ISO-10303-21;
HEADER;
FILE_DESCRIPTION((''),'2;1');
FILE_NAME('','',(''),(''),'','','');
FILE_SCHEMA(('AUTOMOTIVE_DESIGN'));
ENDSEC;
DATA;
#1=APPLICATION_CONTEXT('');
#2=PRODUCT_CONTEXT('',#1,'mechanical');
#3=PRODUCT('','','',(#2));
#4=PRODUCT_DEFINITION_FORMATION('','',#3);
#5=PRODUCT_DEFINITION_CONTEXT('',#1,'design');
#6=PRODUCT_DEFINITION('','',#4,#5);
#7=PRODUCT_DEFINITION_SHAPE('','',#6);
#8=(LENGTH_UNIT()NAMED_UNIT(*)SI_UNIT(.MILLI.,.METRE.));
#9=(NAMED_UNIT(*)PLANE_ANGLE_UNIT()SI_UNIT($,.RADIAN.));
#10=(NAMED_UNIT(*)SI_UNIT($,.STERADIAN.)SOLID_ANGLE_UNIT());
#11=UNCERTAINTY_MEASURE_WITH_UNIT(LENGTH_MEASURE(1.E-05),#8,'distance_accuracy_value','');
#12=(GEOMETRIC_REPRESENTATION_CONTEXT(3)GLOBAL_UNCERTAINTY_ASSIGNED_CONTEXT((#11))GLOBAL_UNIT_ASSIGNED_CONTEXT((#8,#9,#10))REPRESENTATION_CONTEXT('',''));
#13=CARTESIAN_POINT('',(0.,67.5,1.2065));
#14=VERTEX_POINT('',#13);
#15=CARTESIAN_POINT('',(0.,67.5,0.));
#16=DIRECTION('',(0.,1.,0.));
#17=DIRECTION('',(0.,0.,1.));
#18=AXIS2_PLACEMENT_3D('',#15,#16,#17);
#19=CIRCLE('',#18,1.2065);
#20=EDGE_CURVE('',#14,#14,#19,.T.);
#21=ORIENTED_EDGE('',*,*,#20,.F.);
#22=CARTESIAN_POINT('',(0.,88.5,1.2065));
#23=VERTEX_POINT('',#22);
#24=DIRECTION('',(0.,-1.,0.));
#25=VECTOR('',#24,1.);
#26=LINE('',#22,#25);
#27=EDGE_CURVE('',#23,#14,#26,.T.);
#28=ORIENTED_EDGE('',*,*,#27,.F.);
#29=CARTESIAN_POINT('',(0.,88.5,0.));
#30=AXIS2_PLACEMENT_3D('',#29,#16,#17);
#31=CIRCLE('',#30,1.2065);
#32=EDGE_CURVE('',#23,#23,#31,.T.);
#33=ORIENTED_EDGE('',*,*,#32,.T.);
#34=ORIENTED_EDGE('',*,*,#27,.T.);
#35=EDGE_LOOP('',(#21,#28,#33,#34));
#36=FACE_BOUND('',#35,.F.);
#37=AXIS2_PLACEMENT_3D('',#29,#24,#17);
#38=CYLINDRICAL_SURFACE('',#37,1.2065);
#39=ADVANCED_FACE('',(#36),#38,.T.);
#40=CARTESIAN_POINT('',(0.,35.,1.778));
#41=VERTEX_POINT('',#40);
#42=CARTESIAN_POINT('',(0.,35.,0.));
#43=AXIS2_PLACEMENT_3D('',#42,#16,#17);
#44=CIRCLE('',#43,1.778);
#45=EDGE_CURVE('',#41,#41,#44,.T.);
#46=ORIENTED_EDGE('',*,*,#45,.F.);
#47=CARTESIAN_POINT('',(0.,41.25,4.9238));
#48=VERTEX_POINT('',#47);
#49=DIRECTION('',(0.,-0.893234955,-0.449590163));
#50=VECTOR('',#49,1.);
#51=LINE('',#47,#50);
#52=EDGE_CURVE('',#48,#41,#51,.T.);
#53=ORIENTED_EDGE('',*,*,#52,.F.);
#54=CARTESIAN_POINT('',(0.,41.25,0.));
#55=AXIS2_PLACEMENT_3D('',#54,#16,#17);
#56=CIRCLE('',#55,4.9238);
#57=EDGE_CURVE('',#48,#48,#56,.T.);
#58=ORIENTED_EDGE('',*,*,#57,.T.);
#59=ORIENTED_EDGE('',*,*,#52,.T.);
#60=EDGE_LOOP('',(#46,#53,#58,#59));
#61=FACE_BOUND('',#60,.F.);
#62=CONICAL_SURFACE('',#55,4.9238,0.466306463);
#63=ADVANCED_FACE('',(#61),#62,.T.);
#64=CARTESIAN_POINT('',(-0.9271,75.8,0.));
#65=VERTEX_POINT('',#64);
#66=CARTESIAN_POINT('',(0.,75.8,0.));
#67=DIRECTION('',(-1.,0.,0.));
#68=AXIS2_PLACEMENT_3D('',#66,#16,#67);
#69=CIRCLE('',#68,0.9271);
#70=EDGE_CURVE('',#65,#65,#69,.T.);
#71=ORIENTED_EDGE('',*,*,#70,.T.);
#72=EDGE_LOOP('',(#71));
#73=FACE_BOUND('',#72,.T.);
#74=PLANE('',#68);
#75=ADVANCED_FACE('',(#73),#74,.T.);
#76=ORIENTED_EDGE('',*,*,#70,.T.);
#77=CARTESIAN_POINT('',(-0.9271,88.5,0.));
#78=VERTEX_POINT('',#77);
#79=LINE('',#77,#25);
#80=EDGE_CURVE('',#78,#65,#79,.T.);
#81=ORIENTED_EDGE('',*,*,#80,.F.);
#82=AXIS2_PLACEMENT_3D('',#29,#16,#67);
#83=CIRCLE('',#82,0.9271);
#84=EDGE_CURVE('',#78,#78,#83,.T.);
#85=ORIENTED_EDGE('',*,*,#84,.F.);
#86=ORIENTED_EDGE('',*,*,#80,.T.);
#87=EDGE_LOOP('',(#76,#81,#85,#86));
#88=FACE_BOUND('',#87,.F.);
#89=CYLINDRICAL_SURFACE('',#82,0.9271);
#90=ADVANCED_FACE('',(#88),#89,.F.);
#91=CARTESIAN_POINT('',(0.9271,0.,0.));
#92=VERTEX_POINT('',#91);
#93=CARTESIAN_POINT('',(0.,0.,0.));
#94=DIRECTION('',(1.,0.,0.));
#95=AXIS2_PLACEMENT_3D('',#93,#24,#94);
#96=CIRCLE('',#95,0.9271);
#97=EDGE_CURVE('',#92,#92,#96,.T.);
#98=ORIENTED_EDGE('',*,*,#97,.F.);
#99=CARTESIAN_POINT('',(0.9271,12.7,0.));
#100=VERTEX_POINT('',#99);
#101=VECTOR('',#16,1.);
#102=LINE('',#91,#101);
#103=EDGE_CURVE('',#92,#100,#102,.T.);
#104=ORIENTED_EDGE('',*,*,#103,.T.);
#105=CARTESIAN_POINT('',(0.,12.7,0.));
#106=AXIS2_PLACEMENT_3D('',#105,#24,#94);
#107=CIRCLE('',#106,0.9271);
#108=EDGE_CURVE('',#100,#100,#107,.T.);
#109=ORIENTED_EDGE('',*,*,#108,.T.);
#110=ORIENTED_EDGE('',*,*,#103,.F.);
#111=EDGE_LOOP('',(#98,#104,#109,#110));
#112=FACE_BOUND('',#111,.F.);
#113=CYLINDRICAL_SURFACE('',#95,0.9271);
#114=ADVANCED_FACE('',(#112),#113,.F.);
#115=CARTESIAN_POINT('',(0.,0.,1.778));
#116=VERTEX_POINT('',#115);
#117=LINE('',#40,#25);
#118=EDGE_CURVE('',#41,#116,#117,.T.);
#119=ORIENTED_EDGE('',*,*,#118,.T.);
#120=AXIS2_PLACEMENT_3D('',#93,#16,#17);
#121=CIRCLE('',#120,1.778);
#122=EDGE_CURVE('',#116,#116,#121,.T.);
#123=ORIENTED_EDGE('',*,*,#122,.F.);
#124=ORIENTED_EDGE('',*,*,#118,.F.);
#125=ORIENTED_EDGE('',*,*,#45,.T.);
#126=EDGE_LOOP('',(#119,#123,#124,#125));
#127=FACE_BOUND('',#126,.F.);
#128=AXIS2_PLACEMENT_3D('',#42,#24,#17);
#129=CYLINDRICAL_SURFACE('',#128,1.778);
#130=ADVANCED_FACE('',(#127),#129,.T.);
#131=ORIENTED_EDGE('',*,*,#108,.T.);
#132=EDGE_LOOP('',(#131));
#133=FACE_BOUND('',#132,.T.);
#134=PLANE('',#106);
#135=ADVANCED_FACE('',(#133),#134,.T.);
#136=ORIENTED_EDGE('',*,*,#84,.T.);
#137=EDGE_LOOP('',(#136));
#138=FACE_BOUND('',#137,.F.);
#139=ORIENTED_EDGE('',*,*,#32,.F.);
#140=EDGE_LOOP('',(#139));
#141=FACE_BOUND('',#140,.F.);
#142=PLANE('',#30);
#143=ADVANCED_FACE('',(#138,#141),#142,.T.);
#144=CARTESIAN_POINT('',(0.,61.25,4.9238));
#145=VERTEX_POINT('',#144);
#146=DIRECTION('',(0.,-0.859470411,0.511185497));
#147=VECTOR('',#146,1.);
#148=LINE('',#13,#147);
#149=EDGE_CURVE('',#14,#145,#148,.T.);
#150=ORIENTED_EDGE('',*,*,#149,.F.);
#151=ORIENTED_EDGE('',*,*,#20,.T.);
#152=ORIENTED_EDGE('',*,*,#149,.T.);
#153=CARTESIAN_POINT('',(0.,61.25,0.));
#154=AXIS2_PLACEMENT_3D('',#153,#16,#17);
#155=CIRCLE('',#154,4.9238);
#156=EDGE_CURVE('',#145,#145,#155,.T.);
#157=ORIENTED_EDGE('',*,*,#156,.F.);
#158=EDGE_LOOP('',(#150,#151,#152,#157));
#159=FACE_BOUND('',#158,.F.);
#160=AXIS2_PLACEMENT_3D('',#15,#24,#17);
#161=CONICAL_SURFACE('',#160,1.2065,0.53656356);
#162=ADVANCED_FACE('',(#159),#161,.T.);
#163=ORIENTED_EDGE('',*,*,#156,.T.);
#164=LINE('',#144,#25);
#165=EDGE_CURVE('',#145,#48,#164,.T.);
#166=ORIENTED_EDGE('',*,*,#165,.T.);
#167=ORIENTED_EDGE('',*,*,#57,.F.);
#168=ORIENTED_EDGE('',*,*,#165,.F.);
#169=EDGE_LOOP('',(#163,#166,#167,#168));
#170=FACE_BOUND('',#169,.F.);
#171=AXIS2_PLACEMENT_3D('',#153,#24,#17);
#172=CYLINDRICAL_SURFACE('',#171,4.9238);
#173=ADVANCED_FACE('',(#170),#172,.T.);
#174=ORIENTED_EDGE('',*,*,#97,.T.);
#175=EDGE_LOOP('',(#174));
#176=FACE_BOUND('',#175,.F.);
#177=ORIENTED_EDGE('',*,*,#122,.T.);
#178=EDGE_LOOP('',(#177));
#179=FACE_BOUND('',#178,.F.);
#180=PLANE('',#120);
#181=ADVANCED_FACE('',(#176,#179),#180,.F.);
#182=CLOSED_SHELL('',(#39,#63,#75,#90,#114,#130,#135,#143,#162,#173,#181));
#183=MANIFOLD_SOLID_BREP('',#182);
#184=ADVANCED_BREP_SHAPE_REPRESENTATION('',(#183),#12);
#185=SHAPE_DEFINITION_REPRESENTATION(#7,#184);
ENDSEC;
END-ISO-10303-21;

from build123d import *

# Parameters (mm, degrees)
F2_R     = 0.9271
F3_DEPTH = 12.7
F4_R     = 0.9271
F5_DEPTH = 12.7


with BuildPart() as f1:
    # F0 (on Right) → F1 (revolve)
    with BuildSketch(Plane.YZ):
        Polygon((0, 1.778), (0, 0), (88.5, 0), (88.5, 1.2065), (67.5, 1.2065), (61.25, 4.9238), (41.25, 4.9238), (35, 1.778), align=None)
    revolve(axis=Axis((0, 44.25, 0), (0, 1, 0)))

    # F2 (on face) → F3 (cut)
    with BuildSketch(Plane(origin=(0, 88.5, 0), x_dir=(-1, 0, 0), z_dir=(0, 1, 0))):
        Circle(F2_R)
    extrude(amount=-F3_DEPTH, mode=Mode.SUBTRACT)

    # F4 (on face) → F5 (cut)
    with BuildSketch(Plane.XZ):
        Circle(F4_R)
    extrude(amount=-F5_DEPTH, mode=Mode.SUBTRACT)


solid = f1.part
